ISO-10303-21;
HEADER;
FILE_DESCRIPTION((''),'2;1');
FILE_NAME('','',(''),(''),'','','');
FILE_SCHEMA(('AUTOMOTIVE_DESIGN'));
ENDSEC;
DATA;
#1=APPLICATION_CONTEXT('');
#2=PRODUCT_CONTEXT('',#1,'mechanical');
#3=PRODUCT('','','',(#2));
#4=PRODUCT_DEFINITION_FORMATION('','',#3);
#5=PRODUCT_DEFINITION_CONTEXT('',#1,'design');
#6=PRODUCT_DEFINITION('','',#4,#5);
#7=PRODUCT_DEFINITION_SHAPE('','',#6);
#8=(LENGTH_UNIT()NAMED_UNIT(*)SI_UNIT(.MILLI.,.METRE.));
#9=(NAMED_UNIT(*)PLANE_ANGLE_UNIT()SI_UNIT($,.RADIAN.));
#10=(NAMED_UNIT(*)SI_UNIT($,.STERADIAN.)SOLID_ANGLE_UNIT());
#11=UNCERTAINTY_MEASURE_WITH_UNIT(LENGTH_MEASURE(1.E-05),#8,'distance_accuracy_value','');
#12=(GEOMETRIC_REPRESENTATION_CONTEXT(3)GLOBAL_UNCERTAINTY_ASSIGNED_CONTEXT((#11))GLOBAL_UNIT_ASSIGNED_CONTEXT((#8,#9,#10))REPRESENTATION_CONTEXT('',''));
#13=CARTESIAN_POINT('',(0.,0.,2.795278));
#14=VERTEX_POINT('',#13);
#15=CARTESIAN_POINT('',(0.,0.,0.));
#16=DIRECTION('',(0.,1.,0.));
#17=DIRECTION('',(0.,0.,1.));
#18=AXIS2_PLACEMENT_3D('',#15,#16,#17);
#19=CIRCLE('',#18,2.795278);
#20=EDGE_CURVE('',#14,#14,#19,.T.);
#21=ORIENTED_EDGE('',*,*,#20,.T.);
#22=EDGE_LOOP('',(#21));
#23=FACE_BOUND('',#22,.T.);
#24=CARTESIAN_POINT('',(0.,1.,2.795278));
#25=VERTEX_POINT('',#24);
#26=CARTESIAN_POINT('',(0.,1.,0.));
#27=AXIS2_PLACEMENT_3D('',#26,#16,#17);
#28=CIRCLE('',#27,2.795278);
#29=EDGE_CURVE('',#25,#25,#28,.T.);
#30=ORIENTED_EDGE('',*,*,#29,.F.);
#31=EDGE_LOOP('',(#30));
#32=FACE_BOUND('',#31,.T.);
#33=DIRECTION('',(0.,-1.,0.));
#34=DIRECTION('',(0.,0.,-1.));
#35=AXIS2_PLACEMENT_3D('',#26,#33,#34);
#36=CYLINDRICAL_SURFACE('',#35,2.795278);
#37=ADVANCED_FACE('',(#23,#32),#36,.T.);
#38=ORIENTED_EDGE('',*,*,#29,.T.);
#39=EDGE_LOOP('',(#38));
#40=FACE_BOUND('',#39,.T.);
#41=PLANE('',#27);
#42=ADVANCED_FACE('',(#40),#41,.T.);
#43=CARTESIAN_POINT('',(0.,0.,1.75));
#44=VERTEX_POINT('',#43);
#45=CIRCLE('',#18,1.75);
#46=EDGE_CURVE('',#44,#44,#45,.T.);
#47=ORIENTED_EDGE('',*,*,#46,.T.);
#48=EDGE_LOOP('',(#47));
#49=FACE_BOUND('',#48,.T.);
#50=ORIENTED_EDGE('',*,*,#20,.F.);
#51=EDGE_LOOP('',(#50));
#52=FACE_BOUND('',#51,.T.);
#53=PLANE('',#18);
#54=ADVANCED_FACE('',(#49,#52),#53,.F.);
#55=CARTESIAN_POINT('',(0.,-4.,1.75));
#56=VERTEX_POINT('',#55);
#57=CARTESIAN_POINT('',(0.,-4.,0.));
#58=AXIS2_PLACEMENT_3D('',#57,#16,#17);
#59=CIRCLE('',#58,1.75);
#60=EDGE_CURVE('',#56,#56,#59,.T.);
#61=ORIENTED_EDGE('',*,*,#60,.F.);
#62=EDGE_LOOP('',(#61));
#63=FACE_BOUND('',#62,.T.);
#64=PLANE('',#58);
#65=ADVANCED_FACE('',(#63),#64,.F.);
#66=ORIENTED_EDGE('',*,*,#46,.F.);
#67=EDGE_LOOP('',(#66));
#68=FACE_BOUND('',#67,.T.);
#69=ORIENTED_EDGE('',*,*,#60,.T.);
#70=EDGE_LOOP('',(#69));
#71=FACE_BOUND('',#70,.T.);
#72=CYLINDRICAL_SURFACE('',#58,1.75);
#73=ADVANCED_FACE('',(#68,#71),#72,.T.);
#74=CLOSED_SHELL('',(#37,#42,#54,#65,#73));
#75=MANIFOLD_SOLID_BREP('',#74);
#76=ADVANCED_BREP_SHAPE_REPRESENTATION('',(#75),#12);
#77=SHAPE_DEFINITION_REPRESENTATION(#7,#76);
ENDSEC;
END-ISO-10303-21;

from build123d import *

# Parameters (mm, degrees)
ESQUISSE1_R        = 1.75
BOSS_EXTRU_1_DEPTH = 4
ESQUISSE2_R        = 2.79527767
BOSS_EXTRU_2_DEPTH = 1


with BuildPart() as part:
    # Esquisse1 → Boss.-Extru.1 (new body)
    with BuildSketch(Plane(origin=(0, 0, 0), x_dir=(1, 0, 0), z_dir=(0, 1, 0))):
        with Locations(Location((0, 0, 0), (0, 0, 270))):
            Circle(ESQUISSE1_R)
    extrude(amount=-BOSS_EXTRU_1_DEPTH)

    # Esquisse2 → Boss.-Extru.2 (add)
    with BuildSketch(Plane(origin=(0, 0, 0), x_dir=(1, 0, 0), z_dir=(0, 1, 0))):
        with Locations(Location((0, 0, 0), (0, 0, 270))):
            Circle(ESQUISSE2_R)
    extrude(amount=BOSS_EXTRU_2_DEPTH)


solid = part.part
